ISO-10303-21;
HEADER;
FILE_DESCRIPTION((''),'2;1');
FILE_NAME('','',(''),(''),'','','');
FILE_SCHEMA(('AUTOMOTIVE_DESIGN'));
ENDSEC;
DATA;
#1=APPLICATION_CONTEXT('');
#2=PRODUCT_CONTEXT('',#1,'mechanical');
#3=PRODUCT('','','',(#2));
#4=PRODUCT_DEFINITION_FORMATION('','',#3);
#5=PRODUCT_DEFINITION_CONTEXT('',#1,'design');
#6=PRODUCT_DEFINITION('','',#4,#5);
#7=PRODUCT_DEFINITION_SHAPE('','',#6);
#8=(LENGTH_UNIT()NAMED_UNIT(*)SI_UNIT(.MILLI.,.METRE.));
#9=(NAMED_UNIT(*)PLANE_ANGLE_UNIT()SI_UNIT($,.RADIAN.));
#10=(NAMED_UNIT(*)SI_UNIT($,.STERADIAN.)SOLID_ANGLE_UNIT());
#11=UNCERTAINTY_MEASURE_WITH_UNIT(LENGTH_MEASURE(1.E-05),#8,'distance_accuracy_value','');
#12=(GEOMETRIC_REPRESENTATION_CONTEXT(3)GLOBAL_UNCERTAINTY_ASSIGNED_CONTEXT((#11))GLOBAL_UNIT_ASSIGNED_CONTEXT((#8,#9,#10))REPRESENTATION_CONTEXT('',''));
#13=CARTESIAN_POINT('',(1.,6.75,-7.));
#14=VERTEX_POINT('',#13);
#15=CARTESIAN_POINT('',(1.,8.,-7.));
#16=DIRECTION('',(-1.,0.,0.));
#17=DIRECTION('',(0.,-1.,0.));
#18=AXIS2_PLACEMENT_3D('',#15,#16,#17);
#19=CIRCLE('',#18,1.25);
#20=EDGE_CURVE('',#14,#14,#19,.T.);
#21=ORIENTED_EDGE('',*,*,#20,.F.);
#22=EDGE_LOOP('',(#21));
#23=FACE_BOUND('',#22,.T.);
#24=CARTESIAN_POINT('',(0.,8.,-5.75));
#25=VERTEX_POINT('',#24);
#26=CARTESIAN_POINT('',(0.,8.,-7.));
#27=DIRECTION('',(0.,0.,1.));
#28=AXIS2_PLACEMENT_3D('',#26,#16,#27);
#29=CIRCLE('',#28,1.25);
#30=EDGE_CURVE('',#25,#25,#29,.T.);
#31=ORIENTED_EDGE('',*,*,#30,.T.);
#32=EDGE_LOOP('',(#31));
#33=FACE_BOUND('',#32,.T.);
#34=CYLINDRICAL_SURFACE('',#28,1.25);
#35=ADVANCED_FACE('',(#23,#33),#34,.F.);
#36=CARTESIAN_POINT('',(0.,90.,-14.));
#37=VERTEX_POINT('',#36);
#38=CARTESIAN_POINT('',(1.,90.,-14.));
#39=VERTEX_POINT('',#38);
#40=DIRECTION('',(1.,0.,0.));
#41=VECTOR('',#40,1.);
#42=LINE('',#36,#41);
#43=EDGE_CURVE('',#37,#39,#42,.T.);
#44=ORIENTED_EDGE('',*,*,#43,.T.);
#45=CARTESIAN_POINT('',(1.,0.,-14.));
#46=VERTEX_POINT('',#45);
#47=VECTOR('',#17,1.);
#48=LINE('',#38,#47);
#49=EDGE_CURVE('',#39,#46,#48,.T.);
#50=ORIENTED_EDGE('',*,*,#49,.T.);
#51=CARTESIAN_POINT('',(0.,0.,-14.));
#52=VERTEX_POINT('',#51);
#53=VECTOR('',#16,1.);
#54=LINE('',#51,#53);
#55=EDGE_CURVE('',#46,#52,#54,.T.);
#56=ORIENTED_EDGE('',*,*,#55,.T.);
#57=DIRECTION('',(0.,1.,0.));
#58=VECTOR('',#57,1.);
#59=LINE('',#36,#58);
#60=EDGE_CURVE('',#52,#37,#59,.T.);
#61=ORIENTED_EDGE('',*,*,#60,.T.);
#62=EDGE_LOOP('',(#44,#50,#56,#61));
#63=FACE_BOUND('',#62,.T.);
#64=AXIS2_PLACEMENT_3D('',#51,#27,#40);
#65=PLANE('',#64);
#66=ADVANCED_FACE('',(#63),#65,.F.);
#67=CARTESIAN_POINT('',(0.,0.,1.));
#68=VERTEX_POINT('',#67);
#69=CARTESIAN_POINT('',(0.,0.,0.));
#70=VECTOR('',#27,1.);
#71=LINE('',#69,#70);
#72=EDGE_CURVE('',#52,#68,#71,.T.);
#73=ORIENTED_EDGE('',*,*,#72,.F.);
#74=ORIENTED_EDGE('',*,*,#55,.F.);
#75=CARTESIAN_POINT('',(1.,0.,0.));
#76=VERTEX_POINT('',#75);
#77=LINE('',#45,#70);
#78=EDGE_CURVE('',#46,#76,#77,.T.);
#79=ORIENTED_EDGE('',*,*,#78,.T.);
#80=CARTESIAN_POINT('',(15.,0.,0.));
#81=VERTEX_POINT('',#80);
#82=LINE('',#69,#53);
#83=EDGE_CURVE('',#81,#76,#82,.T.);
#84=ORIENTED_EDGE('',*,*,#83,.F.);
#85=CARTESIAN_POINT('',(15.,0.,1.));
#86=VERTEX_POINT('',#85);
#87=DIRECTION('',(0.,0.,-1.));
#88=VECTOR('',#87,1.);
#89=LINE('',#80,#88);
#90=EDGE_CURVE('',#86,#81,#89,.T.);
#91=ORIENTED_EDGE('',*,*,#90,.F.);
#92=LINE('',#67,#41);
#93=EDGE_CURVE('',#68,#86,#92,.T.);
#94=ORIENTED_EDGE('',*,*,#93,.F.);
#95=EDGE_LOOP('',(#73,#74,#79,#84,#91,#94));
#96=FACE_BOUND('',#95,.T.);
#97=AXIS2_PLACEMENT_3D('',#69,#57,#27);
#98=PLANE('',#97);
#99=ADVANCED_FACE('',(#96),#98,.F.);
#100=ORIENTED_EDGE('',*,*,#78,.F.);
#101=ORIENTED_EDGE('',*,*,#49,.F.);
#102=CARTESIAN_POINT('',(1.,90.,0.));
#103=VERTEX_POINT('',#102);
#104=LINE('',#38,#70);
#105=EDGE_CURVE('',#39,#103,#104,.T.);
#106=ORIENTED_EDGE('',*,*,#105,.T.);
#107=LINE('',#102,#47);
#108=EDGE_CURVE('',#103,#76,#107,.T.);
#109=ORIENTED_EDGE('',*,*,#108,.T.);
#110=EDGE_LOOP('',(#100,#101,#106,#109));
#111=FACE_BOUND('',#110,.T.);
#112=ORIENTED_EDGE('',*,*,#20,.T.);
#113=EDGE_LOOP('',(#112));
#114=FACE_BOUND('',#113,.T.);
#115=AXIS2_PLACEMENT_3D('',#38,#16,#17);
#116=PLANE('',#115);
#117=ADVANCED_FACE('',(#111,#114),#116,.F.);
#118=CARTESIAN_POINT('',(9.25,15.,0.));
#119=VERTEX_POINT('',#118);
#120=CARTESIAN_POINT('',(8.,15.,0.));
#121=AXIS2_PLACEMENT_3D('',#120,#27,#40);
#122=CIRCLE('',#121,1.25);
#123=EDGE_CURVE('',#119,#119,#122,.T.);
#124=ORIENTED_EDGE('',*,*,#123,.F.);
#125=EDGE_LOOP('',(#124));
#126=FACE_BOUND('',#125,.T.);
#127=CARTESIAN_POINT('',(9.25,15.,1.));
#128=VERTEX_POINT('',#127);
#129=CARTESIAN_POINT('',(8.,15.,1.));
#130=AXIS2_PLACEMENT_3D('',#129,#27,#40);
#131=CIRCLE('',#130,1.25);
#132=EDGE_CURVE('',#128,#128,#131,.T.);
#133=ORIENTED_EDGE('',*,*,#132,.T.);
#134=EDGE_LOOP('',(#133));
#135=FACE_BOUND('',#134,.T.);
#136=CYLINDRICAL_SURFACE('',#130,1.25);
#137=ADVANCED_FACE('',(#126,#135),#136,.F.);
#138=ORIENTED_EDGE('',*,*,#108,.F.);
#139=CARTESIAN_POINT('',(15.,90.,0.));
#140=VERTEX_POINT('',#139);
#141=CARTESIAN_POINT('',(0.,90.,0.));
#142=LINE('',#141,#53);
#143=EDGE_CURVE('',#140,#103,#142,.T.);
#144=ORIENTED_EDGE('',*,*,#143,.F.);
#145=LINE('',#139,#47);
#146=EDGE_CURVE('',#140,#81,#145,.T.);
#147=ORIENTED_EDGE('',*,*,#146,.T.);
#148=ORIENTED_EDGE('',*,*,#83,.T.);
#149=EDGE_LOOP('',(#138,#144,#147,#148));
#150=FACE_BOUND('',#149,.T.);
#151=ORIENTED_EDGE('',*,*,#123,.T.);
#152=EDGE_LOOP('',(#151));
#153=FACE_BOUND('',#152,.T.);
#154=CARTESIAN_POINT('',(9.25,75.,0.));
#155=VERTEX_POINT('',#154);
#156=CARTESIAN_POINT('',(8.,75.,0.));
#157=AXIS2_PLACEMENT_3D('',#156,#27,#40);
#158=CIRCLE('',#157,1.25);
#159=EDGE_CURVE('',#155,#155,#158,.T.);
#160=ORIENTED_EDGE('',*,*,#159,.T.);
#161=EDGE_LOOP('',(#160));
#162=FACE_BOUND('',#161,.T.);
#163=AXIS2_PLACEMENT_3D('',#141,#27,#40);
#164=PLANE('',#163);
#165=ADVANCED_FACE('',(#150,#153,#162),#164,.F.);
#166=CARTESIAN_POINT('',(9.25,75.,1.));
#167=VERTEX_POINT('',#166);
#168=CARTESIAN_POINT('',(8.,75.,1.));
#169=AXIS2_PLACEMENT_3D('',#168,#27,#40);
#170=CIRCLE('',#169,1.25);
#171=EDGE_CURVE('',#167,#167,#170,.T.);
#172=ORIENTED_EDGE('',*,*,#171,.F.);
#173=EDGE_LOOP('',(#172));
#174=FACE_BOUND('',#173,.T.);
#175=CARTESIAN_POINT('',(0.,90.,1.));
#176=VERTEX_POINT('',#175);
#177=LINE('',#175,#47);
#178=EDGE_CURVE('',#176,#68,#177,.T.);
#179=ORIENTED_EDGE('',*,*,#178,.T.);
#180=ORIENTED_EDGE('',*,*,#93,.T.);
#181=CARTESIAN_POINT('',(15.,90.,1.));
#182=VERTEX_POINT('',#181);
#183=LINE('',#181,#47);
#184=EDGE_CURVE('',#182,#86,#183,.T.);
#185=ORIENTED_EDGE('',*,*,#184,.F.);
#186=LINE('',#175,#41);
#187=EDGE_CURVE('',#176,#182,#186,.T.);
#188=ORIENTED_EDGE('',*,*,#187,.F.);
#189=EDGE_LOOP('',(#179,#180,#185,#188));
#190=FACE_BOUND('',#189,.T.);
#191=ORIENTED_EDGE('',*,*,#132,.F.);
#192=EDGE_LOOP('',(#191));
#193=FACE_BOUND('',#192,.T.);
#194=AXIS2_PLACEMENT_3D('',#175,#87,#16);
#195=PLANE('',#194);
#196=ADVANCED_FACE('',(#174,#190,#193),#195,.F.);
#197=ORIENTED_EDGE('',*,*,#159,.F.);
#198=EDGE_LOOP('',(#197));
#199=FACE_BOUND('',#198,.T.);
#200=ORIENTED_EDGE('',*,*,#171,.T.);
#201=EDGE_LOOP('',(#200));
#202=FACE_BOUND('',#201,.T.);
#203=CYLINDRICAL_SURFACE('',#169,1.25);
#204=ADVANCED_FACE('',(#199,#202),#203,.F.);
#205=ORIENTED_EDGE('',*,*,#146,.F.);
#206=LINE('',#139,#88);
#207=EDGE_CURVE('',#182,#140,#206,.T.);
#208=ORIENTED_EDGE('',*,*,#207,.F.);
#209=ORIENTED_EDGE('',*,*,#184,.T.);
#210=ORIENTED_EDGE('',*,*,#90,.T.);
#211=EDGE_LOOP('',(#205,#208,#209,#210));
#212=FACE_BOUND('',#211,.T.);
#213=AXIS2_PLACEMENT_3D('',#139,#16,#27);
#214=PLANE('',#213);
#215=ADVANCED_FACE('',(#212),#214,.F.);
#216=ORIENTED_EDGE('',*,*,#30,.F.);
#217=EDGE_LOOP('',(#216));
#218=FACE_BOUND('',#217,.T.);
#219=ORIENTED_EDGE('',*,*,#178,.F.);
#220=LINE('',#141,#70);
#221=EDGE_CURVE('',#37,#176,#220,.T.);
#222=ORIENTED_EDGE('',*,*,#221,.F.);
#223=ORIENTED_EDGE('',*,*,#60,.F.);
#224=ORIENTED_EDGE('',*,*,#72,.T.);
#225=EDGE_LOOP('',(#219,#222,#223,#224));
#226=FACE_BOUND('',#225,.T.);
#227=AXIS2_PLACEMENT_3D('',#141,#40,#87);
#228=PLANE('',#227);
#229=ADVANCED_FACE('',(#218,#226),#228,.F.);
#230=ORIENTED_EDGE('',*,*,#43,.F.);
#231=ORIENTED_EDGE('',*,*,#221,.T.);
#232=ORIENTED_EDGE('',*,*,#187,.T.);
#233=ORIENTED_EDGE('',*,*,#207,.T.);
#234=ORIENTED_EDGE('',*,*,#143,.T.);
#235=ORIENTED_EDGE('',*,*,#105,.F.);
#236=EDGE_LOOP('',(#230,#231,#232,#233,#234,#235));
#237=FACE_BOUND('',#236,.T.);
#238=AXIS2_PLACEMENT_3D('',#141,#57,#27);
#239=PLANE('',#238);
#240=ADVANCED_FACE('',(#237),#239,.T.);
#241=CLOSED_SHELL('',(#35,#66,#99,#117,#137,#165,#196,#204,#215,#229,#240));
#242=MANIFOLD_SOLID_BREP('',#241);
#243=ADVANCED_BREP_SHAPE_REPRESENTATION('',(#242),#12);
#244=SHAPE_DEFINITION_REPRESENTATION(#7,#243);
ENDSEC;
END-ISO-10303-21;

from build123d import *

# Parameters (mm, degrees)
SKETCH_1_W      = 15
SKETCH_1_H      = 1
EXTRUDE_1_DEPTH = 90
SKETCH_3_W      = 1
SKETCH_3_H      = 90
EXTRUDE_2_DEPTH = 14
M3X0_5_1_D      = 2.5
M3X0_5_2_D      = 2.5


with BuildPart() as part:
    # ｽｹｯﾁ1 → ﾎﾞｽ - 押し出し1 (new body)
    with BuildSketch(Plane(origin=(0, 0, 0), x_dir=(1, 0, 0), z_dir=(0, 1, 0))):
        with Locations((7.5, -0.5)):
            Rectangle(SKETCH_1_W, SKETCH_1_H)
    extrude(amount=EXTRUDE_1_DEPTH)

    # ｽｹｯﾁ3 → ﾎﾞｽ - 押し出し2 (add)
    with BuildSketch(Plane(origin=(0, 0, 0), x_dir=(-1, 0, 0), z_dir=(0, 0, -1))):
        with Locations((-0.5, 45)):
            Rectangle(SKETCH_3_W, SKETCH_3_H)
    extrude(amount=EXTRUDE_2_DEPTH)

    # M3x0.5 ねじ穴1 (through all)
    with Locations(Plane.XY.offset(1)):
        with Locations((8, 15), (8, 75)):
            Hole(M3X0_5_1_D / 2)

    # M3x0.5 ねじ穴2 (through all)
    with Locations(Plane.ZY):
        with Locations((-7, 8)):
            Hole(M3X0_5_2_D / 2)


solid = part.part
